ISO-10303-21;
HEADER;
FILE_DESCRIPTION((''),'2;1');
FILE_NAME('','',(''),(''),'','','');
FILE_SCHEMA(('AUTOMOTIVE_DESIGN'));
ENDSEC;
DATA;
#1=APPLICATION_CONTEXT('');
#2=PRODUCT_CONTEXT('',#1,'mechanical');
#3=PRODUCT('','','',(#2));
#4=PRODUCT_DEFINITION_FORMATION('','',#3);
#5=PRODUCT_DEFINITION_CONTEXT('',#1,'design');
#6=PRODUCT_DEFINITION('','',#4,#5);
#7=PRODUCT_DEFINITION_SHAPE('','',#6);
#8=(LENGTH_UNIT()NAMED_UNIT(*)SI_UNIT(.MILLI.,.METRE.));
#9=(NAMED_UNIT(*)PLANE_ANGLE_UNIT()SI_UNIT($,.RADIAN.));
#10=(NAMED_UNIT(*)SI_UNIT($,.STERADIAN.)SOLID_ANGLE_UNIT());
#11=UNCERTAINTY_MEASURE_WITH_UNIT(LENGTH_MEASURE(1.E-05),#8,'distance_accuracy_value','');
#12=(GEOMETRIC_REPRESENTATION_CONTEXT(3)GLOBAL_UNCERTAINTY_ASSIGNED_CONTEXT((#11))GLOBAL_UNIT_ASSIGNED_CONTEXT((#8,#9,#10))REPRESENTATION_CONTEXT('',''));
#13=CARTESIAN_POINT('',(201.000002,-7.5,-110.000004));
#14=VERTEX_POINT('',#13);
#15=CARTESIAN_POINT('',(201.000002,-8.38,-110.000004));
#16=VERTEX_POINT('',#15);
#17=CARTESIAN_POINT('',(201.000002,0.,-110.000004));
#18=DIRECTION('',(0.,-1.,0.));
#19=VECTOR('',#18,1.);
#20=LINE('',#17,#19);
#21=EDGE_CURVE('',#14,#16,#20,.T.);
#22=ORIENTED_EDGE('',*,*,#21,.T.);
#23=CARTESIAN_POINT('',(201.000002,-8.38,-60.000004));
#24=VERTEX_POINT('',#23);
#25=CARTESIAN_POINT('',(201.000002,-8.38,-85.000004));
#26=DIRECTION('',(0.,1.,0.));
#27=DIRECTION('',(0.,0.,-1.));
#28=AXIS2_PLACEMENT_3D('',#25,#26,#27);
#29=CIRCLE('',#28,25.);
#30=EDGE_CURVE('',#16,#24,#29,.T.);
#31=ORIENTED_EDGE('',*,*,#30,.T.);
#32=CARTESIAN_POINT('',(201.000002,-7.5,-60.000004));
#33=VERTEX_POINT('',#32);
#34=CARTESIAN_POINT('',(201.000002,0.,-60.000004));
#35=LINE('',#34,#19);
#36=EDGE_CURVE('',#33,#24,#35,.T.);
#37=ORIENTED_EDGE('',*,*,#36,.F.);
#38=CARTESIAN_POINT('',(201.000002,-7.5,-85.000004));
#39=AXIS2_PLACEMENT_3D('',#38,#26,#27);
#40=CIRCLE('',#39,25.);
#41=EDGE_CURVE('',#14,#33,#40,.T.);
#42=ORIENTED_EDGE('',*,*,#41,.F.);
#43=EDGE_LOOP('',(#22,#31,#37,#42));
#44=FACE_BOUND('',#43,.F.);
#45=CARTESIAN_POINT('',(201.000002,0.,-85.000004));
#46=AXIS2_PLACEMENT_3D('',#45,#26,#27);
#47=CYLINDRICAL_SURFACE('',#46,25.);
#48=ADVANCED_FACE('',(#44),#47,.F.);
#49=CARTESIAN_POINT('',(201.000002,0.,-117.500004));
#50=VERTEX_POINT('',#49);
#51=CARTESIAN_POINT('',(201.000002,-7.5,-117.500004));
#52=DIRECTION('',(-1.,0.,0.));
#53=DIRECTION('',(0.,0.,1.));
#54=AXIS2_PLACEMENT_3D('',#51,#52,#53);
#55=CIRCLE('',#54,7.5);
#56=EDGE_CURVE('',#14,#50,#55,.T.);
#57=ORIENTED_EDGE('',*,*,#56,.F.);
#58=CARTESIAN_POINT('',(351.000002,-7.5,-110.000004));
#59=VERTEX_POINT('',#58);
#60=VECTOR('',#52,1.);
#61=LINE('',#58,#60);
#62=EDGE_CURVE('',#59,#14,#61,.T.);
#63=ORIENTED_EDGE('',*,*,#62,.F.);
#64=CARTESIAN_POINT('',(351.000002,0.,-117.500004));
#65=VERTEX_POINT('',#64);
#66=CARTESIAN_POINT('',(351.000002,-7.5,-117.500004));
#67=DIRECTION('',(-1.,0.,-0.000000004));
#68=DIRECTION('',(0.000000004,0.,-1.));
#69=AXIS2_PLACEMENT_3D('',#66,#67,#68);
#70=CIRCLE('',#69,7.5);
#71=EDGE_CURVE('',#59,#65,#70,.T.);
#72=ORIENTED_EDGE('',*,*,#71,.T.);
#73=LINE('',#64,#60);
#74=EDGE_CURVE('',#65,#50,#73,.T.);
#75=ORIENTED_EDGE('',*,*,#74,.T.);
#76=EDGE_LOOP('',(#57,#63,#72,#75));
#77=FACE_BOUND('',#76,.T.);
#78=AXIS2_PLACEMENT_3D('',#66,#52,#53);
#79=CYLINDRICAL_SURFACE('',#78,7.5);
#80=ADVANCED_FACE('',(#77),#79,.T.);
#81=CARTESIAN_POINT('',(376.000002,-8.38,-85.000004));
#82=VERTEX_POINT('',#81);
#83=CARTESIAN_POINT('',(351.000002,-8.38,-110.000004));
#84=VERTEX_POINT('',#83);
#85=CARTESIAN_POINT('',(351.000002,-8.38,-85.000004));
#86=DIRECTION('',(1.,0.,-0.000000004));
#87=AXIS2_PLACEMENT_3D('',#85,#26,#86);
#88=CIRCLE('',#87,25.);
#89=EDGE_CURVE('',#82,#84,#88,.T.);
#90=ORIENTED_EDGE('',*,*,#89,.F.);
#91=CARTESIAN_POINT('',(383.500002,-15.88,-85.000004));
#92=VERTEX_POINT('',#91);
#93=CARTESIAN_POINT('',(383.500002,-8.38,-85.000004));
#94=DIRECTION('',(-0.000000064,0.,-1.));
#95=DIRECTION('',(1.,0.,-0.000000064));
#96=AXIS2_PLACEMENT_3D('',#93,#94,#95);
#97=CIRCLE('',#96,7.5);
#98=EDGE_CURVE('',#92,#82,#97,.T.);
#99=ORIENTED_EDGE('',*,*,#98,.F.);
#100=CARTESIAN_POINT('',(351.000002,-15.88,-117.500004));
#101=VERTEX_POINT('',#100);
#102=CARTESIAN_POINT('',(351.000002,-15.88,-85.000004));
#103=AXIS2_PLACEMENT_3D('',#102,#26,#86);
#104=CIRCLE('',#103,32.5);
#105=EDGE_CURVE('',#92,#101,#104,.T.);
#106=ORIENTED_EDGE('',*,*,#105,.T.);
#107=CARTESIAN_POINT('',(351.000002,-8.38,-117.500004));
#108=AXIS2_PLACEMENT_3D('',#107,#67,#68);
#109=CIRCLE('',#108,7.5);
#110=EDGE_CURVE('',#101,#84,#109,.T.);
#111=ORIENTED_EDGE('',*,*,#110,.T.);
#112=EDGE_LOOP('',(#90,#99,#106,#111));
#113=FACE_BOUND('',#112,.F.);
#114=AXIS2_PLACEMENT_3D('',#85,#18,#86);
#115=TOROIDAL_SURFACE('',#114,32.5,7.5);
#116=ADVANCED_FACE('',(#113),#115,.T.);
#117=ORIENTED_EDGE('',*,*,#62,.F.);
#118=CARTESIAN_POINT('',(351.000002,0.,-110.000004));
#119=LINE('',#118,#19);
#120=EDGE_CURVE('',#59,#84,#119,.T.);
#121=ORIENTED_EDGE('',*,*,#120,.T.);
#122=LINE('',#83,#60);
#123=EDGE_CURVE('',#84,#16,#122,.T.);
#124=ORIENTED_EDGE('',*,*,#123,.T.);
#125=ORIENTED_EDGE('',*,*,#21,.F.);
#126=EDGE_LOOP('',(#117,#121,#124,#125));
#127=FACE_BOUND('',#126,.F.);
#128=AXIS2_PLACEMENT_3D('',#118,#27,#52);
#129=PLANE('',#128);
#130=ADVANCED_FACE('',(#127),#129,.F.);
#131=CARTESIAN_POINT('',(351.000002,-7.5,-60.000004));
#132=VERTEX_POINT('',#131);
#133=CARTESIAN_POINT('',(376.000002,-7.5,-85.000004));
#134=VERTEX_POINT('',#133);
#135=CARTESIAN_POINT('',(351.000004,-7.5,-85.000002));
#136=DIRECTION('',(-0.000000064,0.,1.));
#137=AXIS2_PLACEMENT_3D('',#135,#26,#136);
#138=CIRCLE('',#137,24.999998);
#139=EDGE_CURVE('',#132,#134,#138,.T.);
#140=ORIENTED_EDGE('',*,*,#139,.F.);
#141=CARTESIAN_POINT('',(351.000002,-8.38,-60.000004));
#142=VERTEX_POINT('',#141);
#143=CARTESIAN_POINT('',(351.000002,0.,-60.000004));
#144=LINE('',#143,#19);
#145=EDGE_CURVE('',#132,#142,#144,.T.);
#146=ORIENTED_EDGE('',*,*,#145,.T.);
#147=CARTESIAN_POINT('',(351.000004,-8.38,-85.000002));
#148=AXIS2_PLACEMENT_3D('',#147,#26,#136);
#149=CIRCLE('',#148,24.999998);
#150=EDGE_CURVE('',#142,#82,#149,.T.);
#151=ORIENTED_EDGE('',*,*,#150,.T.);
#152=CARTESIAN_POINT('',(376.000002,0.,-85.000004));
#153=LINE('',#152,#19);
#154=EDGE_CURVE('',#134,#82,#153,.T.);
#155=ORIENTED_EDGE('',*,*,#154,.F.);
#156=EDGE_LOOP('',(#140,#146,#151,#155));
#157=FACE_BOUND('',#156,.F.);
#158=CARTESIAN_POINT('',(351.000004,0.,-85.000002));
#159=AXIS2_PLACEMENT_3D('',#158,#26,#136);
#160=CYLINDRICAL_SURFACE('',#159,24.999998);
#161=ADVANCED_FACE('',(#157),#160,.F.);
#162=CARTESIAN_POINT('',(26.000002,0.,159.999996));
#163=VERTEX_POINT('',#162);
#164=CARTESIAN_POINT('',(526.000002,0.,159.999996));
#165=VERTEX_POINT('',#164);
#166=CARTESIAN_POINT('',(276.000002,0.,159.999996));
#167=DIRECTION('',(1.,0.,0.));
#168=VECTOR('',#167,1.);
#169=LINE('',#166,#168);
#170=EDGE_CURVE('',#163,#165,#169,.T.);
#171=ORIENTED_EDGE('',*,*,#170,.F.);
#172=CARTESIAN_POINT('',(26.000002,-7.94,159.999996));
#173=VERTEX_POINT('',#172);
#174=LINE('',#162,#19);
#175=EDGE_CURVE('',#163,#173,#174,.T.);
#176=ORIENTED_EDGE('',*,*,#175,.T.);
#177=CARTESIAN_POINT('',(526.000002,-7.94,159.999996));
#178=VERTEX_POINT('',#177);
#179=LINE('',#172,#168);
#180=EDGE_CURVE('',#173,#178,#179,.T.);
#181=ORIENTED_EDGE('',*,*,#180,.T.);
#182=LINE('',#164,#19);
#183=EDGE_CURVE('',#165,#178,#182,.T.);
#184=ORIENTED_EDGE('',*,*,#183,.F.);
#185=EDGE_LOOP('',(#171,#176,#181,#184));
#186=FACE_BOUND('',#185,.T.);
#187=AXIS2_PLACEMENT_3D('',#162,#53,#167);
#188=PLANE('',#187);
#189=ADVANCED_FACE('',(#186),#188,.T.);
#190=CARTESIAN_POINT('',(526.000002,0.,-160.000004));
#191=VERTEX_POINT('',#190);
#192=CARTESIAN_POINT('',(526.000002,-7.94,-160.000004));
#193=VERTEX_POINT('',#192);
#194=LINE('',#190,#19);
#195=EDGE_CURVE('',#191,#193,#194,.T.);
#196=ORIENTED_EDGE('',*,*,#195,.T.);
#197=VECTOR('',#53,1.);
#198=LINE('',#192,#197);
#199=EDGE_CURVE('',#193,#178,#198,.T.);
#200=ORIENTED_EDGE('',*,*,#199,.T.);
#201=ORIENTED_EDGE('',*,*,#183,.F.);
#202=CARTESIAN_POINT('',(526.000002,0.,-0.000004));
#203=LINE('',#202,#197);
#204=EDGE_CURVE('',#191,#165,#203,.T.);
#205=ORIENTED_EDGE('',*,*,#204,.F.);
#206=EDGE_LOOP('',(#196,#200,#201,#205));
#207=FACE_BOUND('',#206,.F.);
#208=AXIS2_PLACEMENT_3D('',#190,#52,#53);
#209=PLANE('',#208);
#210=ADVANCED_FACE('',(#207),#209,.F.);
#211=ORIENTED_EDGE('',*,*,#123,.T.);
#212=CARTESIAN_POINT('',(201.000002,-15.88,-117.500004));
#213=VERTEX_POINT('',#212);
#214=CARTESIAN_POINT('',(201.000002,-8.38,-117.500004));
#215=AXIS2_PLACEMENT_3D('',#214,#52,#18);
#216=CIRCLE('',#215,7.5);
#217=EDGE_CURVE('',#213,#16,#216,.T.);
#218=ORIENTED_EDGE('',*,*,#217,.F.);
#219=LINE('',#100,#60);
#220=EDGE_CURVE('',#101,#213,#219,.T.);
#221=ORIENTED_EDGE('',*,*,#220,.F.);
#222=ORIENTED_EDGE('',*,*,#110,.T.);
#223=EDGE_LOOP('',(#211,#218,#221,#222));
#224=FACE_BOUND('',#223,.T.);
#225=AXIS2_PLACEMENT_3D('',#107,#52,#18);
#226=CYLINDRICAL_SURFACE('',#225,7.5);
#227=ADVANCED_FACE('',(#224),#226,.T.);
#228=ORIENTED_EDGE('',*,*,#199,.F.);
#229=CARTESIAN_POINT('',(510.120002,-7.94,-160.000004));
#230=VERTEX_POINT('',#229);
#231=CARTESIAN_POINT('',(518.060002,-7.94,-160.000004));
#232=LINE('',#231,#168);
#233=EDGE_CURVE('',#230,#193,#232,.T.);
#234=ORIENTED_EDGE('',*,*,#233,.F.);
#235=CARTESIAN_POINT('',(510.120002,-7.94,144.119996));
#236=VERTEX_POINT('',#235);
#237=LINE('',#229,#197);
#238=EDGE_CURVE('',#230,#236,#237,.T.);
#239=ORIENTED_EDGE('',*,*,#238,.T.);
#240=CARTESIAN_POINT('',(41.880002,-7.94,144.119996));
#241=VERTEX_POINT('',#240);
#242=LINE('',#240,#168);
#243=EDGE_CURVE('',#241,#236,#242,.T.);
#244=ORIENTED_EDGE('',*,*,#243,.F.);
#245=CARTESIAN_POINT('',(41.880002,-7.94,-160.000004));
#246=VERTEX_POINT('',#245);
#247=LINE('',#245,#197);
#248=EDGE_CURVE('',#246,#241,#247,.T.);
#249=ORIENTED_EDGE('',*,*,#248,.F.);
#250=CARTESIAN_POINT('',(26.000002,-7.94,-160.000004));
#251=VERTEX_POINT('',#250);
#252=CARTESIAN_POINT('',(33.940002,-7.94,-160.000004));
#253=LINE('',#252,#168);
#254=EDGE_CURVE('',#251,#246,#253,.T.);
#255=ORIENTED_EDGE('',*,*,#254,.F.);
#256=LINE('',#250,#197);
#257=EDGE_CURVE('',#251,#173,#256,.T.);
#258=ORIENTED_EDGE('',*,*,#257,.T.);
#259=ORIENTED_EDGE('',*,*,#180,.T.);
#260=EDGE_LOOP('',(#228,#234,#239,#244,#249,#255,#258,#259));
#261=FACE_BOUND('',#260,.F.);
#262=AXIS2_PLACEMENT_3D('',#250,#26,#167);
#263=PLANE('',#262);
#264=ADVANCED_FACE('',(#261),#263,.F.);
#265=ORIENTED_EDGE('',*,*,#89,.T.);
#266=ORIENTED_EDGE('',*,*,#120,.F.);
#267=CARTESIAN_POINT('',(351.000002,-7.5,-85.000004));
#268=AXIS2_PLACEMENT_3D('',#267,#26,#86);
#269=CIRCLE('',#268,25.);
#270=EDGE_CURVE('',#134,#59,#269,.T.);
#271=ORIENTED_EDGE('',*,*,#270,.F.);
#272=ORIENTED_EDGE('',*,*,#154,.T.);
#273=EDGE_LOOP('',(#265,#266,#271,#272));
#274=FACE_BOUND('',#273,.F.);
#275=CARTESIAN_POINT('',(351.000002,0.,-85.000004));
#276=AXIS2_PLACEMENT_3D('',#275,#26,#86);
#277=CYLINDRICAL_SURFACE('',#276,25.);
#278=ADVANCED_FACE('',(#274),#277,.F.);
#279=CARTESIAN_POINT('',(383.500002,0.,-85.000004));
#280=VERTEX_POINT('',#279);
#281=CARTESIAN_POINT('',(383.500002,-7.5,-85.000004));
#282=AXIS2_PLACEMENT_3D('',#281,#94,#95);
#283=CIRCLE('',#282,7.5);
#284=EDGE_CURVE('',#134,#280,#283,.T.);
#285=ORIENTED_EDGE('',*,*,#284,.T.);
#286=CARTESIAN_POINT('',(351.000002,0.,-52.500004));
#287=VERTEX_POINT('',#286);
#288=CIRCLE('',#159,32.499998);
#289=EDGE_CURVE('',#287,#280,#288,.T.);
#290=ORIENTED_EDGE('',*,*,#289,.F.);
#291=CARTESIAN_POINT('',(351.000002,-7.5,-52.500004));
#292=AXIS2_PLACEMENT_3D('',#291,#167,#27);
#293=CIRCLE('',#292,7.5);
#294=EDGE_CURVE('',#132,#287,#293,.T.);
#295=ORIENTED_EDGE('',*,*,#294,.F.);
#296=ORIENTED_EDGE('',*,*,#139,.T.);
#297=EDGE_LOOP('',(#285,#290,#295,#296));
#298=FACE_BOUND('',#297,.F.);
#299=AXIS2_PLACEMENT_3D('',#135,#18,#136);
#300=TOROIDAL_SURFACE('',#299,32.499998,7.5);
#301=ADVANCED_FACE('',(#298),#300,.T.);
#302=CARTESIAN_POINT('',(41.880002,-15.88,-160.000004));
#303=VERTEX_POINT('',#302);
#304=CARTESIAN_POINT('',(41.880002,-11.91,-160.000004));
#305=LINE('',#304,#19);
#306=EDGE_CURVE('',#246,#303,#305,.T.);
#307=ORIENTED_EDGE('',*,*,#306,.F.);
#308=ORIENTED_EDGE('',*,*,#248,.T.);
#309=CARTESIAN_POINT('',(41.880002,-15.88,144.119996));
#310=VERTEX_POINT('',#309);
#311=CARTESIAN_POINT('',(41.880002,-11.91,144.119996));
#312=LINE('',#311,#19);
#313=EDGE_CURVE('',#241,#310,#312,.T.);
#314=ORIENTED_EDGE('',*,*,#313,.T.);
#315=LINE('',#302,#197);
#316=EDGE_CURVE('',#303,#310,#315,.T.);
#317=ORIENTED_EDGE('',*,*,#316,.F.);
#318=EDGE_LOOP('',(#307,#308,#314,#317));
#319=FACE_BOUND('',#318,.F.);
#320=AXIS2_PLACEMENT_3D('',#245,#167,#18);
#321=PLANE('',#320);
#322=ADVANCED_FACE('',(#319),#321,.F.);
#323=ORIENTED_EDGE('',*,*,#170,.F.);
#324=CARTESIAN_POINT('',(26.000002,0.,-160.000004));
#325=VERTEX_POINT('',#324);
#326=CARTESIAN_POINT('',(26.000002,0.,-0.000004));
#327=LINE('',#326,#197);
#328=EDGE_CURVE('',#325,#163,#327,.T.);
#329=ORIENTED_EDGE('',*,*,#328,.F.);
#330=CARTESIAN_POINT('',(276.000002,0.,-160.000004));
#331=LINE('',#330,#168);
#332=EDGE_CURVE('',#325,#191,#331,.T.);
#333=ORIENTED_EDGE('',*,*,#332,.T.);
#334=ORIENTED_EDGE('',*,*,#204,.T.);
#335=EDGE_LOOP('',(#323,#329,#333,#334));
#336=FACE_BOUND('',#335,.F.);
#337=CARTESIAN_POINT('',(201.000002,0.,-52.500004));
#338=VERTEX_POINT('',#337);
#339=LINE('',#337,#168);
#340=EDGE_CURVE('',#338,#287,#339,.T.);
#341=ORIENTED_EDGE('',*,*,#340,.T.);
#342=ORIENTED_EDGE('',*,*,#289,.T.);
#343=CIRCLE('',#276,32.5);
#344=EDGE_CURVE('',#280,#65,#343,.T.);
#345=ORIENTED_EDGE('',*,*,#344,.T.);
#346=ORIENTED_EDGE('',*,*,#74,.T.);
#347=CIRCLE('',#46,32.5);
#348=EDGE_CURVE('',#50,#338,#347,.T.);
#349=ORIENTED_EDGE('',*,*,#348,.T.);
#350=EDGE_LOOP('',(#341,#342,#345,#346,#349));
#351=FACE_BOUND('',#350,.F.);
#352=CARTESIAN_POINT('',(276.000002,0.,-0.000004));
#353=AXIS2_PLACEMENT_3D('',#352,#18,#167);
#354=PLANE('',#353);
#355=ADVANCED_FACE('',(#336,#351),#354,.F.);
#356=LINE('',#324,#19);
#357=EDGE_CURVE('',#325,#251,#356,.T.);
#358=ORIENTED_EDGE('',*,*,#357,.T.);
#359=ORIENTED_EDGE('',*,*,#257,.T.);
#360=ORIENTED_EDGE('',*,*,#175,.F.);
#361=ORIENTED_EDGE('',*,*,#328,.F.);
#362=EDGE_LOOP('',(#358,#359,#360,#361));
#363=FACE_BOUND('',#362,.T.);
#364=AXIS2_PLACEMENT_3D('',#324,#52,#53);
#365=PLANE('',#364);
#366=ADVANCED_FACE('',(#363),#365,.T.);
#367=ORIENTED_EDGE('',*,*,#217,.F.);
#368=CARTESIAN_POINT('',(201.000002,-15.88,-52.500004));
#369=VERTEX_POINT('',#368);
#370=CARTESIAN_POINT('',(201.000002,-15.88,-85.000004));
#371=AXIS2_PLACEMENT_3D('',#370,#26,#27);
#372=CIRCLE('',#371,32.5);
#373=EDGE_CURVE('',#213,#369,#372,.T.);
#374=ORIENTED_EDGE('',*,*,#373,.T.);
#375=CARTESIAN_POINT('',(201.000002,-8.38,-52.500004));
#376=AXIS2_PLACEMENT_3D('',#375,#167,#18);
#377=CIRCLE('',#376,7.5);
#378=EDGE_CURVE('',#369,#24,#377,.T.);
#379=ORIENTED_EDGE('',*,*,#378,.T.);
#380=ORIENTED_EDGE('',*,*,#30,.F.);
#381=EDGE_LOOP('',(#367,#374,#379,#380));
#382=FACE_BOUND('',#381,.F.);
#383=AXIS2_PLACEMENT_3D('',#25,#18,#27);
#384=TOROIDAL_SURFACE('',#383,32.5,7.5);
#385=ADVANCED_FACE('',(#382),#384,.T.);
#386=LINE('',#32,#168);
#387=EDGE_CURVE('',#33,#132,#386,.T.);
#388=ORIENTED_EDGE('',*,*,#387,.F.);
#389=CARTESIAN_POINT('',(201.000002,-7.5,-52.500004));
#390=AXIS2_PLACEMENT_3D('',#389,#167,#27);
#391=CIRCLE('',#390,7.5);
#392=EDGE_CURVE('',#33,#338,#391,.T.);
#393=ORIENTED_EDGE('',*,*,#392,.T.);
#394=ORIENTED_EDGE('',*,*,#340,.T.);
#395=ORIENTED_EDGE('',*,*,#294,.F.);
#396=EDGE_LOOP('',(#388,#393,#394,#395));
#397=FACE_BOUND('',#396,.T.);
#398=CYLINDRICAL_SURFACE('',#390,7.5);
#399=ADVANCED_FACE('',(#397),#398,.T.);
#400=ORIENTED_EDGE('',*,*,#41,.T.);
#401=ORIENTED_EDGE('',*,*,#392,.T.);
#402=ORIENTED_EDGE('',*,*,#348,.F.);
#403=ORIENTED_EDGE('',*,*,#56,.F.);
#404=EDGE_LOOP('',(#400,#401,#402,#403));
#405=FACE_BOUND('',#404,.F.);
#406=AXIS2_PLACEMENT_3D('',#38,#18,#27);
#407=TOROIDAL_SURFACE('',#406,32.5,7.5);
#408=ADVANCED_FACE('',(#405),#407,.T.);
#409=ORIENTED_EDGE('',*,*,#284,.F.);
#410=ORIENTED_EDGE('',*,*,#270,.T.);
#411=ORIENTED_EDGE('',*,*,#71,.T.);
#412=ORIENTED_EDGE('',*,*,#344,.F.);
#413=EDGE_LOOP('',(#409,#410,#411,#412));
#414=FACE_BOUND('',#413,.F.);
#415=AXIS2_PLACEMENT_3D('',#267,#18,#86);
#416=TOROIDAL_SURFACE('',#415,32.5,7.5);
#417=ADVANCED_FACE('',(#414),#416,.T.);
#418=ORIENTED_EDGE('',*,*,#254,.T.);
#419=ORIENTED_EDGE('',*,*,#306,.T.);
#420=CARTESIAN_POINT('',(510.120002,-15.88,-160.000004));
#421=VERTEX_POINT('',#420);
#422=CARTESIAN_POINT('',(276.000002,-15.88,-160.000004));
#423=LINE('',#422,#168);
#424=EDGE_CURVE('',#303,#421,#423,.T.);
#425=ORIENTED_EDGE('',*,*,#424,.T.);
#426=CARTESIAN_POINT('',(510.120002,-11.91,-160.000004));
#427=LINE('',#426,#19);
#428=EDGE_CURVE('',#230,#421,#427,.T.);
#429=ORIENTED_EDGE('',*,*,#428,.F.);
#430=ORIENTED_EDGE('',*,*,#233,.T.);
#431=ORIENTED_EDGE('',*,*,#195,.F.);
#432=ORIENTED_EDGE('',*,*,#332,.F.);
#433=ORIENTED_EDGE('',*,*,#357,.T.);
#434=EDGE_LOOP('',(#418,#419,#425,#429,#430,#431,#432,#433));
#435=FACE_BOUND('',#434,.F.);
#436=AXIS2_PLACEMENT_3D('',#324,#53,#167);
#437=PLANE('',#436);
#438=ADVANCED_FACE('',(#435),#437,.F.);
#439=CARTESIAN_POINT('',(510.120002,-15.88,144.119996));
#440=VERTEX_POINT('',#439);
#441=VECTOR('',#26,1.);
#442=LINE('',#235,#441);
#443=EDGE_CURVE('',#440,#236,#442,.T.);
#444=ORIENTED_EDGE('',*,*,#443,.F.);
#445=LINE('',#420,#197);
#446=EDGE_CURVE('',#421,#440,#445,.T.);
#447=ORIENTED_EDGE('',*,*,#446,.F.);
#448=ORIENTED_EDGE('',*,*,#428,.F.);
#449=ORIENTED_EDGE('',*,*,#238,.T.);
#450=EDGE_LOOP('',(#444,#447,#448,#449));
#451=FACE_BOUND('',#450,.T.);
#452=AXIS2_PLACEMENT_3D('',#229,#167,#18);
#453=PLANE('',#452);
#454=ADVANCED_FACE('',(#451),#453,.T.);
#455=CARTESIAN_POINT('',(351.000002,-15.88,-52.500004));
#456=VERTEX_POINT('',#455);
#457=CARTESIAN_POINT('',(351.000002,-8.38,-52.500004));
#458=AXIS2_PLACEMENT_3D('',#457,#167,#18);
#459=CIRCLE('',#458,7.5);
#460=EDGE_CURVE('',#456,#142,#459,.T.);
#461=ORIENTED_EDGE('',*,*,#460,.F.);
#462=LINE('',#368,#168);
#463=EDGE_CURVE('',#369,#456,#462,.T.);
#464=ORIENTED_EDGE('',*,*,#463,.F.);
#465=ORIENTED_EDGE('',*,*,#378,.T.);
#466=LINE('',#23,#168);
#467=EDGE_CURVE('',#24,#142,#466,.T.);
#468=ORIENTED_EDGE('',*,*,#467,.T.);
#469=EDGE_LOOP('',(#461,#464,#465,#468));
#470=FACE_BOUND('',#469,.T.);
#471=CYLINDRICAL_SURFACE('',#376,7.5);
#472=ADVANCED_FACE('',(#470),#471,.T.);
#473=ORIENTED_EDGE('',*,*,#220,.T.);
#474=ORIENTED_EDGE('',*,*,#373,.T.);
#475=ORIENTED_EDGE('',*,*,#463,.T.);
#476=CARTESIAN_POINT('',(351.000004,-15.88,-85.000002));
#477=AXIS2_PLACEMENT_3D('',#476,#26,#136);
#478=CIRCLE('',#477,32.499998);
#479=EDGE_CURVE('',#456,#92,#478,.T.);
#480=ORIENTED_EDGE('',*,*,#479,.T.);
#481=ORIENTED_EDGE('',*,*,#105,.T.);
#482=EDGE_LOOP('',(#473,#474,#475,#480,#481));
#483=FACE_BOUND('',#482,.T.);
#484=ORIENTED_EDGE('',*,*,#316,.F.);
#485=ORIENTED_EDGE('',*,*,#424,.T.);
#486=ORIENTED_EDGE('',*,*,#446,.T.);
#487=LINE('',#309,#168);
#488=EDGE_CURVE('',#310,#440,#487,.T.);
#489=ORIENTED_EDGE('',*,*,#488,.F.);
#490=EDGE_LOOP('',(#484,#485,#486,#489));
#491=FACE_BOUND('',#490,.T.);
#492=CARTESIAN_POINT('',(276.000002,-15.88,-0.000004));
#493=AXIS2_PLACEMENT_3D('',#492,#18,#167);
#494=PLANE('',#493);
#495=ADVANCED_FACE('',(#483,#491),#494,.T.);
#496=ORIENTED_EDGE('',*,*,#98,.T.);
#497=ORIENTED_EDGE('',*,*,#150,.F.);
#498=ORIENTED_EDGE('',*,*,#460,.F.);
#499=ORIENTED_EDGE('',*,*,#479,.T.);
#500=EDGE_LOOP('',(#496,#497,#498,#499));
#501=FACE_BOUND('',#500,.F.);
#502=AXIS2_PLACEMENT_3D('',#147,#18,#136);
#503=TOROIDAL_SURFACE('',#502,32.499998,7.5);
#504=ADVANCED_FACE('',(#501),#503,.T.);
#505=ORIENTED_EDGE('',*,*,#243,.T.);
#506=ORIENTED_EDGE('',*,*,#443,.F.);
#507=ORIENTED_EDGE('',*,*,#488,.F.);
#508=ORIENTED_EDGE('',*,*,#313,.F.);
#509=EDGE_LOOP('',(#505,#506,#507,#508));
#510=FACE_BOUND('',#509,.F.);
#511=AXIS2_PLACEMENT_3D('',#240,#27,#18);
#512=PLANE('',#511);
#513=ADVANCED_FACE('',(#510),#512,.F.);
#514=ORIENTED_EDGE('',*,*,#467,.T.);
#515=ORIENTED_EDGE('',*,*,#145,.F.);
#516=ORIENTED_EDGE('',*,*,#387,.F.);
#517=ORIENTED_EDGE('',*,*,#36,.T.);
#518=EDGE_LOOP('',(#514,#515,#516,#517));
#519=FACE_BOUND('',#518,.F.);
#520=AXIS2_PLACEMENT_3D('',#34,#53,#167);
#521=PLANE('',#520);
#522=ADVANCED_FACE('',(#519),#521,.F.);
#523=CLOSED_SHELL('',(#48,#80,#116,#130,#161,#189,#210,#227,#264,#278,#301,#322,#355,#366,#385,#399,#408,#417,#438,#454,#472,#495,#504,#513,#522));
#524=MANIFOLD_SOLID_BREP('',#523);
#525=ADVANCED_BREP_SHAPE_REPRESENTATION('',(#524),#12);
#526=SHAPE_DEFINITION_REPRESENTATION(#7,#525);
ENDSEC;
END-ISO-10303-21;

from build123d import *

# Parameters (mm, degrees)
F0_W     = 500
F0_H     = 320
F1_DEPTH = 15.88
F2_W     = 15.88
F2_H     = 7.94
F3_DEPTH = 320.001
F4_W     = 7.94
F4_H     = 15.88
F5_DEPTH = 484.121
F6_R     = 7.5


with BuildPart() as f1:
    # F0 (on Front) → F1 (new body)
    with BuildSketch(Plane.XZ):
        with Locations((276.000002, -4e-06)):
            Rectangle(F0_W, F0_H)
        with BuildLine():
            ThreePointArc((376.000002, -85.000004), (368.677672, -102.677673), (351.000002, -110.000004))
            Line((351.000002, -110.000004), (201.000002, -110.000004))
            ThreePointArc((201.000002, -110.000004), (176.000002, -85.000004), (201.000002, -60.000004))
            Line((201.000002, -60.000004), (351.000002, -60.000004))
            ThreePointArc((351.000002, -60.000004), (368.677672, -67.322334), (376.000002, -85.000004))
        make_face(mode=Mode.SUBTRACT)
    extrude(amount=F1_DEPTH)

    # F2 (on face) → F3 (cut, through all)
    with BuildSketch(Plane(origin=(0, 0, -160.000004), x_dir=(1, 0, 0), z_dir=(0, 0, -1))):
        with Locations((33.940002, 11.91)):
            Rectangle(F2_W, F2_H)
        with Locations((518.060002, 11.91)):
            Rectangle(F2_W, F2_H)
    extrude(amount=-F3_DEPTH, mode=Mode.SUBTRACT)

    # F4 (on face) → F5 (cut, through all)
    with BuildSketch(Plane(origin=(41.880002, 0, 0), x_dir=(0, -1, 0), z_dir=(-1, 0, 0))):
        with Locations((11.91, 152.059996)):
            Rectangle(F4_W, F4_H)
    extrude(amount=-F5_DEPTH, mode=Mode.SUBTRACT)

    # F6
    f6_edges = [f1.edges().sort_by_distance(p)[0] for p in [
        (276.000002, 0, -60.000004),
        (276.000002, -15.88, -60.000004),
    ]]
    fillet(f6_edges, radius=F6_R)


solid = f1.part
